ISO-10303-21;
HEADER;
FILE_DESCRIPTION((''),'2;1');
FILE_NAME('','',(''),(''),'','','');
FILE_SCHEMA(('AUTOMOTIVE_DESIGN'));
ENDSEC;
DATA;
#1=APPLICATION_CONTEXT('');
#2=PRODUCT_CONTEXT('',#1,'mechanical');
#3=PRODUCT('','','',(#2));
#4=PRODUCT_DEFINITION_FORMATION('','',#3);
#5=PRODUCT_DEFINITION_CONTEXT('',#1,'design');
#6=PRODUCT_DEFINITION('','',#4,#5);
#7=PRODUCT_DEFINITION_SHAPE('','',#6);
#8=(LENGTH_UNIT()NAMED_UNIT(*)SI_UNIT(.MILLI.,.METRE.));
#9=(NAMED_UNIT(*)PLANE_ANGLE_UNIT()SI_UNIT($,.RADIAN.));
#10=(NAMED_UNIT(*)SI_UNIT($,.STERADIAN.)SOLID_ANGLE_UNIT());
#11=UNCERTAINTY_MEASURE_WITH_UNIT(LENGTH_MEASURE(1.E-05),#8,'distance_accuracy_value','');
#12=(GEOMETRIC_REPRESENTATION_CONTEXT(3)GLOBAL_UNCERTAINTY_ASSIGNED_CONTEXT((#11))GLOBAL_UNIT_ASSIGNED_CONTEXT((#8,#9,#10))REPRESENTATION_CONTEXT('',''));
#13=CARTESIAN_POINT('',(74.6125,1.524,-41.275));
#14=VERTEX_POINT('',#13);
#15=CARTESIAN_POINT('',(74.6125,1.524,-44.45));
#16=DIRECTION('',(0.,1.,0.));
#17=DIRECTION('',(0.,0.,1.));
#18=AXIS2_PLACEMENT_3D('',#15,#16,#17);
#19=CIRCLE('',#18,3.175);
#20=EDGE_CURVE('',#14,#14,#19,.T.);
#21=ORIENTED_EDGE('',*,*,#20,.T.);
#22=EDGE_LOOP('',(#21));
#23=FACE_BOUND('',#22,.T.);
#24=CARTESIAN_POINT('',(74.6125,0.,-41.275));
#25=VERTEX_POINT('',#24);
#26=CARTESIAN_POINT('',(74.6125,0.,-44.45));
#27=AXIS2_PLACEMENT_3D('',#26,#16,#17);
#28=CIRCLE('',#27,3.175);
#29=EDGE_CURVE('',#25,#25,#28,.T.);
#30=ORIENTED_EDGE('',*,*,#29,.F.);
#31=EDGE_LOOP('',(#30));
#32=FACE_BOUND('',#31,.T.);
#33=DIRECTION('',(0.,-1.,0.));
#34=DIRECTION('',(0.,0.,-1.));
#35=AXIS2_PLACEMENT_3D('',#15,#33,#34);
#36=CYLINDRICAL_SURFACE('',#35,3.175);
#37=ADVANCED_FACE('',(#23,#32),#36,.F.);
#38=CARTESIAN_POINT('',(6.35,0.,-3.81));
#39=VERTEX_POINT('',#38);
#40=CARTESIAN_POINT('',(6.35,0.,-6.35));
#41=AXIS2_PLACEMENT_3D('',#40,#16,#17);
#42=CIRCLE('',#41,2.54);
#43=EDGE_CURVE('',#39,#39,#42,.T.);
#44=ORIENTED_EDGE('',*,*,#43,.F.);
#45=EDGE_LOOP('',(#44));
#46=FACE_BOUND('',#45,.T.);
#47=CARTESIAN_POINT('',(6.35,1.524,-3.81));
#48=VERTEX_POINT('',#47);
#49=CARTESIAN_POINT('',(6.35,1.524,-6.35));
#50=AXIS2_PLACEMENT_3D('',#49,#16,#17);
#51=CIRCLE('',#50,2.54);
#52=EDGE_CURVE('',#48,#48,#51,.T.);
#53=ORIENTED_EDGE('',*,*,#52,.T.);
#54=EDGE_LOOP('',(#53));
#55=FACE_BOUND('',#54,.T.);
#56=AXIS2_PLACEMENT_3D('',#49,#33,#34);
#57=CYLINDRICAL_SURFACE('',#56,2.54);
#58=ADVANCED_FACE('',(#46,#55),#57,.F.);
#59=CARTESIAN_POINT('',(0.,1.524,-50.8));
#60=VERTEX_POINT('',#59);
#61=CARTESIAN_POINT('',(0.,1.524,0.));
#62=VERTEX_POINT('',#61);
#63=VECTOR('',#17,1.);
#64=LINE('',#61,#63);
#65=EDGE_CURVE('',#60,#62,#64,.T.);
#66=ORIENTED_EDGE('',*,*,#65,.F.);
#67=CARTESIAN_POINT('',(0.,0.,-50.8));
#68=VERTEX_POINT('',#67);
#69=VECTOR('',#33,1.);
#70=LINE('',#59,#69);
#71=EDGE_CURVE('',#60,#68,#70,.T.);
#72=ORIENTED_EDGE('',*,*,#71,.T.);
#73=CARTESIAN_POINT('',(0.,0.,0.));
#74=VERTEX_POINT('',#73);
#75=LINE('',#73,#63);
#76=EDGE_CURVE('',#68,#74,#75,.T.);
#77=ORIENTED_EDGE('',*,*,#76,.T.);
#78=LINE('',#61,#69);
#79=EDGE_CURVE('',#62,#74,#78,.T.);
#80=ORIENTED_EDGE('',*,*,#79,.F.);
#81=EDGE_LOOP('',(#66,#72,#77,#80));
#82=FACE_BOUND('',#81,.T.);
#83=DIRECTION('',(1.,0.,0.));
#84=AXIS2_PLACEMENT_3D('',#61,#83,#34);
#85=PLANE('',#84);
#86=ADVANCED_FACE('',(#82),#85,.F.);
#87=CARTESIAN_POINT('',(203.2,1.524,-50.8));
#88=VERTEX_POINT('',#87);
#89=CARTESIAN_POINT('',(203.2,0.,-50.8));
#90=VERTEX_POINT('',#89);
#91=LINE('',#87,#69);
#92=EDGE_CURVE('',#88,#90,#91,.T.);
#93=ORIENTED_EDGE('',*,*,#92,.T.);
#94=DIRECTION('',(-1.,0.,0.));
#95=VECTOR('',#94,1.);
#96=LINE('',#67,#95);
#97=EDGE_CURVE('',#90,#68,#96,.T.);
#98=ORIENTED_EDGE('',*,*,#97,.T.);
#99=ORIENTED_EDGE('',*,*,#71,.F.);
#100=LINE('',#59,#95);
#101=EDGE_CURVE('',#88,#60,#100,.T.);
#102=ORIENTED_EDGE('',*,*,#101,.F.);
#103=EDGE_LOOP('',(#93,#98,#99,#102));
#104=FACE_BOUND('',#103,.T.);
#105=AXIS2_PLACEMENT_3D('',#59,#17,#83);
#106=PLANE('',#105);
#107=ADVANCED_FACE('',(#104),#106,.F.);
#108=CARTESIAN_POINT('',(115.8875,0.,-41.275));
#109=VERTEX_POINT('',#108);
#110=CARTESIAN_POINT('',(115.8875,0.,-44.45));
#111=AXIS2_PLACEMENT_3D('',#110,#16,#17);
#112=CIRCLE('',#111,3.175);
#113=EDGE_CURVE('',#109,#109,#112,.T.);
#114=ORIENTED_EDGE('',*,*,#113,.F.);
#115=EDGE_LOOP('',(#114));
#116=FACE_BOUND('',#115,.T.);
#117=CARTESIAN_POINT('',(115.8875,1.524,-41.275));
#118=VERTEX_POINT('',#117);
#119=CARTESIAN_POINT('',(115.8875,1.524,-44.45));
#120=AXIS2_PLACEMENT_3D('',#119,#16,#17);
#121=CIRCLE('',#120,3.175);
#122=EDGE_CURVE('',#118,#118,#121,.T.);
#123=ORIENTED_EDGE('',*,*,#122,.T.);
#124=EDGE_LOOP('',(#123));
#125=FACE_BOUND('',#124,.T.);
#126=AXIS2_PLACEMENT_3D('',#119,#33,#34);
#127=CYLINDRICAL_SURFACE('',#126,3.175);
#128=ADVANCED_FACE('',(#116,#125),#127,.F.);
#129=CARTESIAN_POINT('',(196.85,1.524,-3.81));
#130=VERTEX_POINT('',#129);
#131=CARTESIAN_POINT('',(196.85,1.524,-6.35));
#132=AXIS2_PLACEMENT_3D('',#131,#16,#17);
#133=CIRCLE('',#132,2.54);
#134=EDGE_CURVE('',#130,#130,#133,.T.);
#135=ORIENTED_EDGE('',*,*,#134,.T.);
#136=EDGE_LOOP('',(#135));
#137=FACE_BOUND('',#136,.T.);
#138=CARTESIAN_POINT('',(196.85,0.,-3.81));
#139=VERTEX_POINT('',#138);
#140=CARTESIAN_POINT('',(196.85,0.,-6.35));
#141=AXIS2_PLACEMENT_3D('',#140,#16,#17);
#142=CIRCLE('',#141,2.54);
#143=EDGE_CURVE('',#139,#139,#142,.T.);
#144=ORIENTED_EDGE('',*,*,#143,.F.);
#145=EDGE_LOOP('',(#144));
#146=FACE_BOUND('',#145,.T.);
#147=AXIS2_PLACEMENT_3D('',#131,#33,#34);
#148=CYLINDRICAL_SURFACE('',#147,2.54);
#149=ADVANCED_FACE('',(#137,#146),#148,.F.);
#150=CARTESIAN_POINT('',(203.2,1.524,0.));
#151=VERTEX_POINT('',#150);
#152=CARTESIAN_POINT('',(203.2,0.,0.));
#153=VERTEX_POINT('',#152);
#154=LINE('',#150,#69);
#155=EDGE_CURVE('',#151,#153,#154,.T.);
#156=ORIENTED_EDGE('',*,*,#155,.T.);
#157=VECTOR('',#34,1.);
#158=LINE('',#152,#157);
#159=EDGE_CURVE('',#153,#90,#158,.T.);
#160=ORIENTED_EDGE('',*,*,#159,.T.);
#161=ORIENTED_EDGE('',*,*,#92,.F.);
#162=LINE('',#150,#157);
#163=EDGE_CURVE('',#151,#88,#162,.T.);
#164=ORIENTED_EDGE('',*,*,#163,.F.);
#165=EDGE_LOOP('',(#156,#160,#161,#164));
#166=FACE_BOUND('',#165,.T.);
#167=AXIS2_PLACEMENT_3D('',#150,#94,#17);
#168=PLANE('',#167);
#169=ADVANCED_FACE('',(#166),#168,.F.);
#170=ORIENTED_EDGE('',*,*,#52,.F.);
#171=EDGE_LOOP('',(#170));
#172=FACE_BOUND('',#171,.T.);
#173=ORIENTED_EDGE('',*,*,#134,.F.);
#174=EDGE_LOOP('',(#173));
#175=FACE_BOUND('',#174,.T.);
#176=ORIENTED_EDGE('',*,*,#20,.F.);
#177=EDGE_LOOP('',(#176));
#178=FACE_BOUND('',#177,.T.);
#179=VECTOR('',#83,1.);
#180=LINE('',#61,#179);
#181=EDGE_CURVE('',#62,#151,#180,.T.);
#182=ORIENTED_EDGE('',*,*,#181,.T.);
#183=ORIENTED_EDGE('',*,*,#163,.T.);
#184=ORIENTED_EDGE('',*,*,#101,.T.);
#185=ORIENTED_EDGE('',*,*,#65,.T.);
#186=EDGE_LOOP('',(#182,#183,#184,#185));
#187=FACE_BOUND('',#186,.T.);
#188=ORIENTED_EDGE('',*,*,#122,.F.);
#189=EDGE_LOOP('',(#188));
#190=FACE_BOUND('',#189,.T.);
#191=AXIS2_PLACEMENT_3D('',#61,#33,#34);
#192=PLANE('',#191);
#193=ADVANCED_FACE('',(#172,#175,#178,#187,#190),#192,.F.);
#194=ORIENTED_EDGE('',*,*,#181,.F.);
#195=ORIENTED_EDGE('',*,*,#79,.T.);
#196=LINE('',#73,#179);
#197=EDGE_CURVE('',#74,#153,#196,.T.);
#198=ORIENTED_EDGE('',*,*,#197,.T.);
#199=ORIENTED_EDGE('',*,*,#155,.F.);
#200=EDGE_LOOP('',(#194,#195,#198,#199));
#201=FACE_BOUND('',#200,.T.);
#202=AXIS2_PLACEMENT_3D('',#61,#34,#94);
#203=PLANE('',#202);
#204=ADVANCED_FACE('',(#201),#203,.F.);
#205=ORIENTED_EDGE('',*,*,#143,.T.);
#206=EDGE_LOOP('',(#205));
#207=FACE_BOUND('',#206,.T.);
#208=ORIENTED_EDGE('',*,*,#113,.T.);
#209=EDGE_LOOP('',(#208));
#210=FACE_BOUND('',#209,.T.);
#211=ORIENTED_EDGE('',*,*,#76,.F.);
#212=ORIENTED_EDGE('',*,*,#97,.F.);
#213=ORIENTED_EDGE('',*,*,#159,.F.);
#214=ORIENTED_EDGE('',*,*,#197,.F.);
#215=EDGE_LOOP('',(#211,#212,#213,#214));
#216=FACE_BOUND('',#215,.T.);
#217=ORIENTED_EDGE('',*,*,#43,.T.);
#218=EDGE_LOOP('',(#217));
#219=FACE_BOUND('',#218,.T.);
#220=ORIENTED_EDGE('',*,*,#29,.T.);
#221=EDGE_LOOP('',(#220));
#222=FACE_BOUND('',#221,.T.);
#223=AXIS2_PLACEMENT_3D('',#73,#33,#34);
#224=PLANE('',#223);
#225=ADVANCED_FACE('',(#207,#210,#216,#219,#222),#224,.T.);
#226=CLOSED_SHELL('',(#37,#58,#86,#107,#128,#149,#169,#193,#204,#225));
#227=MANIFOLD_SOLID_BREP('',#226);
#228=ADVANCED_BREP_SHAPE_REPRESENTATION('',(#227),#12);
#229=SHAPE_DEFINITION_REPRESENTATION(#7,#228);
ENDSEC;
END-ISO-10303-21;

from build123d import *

# Parameters (mm, degrees)
SKETCH1_W           = 203.2
SKETCH1_H           = 50.8
SKETCH1_R           = 2.54
SKETCH1_R_2         = 3.175
BOSS_EXTRUDE1_DEPTH = 1.524


with BuildPart() as part:
    # Sketch1 → Boss-Extrude1 (new body)
    with BuildSketch(Plane(origin=(0, 0, 0), x_dir=(1, 0, 0), z_dir=(0, 1, 0))):
        with Locations((101.6, 25.4)):
            Rectangle(SKETCH1_W, SKETCH1_H)
        with Locations((6.35, 6.35)):
            Circle(SKETCH1_R, mode=Mode.SUBTRACT)
        with Locations((196.85, 6.35)):
            Circle(SKETCH1_R, mode=Mode.SUBTRACT)
        with Locations((74.6125, 44.45)):
            Circle(SKETCH1_R_2, mode=Mode.SUBTRACT)
        with Locations((115.8875, 44.45)):
            Circle(SKETCH1_R_2, mode=Mode.SUBTRACT)
    extrude(amount=BOSS_EXTRUDE1_DEPTH)


solid = part.part
